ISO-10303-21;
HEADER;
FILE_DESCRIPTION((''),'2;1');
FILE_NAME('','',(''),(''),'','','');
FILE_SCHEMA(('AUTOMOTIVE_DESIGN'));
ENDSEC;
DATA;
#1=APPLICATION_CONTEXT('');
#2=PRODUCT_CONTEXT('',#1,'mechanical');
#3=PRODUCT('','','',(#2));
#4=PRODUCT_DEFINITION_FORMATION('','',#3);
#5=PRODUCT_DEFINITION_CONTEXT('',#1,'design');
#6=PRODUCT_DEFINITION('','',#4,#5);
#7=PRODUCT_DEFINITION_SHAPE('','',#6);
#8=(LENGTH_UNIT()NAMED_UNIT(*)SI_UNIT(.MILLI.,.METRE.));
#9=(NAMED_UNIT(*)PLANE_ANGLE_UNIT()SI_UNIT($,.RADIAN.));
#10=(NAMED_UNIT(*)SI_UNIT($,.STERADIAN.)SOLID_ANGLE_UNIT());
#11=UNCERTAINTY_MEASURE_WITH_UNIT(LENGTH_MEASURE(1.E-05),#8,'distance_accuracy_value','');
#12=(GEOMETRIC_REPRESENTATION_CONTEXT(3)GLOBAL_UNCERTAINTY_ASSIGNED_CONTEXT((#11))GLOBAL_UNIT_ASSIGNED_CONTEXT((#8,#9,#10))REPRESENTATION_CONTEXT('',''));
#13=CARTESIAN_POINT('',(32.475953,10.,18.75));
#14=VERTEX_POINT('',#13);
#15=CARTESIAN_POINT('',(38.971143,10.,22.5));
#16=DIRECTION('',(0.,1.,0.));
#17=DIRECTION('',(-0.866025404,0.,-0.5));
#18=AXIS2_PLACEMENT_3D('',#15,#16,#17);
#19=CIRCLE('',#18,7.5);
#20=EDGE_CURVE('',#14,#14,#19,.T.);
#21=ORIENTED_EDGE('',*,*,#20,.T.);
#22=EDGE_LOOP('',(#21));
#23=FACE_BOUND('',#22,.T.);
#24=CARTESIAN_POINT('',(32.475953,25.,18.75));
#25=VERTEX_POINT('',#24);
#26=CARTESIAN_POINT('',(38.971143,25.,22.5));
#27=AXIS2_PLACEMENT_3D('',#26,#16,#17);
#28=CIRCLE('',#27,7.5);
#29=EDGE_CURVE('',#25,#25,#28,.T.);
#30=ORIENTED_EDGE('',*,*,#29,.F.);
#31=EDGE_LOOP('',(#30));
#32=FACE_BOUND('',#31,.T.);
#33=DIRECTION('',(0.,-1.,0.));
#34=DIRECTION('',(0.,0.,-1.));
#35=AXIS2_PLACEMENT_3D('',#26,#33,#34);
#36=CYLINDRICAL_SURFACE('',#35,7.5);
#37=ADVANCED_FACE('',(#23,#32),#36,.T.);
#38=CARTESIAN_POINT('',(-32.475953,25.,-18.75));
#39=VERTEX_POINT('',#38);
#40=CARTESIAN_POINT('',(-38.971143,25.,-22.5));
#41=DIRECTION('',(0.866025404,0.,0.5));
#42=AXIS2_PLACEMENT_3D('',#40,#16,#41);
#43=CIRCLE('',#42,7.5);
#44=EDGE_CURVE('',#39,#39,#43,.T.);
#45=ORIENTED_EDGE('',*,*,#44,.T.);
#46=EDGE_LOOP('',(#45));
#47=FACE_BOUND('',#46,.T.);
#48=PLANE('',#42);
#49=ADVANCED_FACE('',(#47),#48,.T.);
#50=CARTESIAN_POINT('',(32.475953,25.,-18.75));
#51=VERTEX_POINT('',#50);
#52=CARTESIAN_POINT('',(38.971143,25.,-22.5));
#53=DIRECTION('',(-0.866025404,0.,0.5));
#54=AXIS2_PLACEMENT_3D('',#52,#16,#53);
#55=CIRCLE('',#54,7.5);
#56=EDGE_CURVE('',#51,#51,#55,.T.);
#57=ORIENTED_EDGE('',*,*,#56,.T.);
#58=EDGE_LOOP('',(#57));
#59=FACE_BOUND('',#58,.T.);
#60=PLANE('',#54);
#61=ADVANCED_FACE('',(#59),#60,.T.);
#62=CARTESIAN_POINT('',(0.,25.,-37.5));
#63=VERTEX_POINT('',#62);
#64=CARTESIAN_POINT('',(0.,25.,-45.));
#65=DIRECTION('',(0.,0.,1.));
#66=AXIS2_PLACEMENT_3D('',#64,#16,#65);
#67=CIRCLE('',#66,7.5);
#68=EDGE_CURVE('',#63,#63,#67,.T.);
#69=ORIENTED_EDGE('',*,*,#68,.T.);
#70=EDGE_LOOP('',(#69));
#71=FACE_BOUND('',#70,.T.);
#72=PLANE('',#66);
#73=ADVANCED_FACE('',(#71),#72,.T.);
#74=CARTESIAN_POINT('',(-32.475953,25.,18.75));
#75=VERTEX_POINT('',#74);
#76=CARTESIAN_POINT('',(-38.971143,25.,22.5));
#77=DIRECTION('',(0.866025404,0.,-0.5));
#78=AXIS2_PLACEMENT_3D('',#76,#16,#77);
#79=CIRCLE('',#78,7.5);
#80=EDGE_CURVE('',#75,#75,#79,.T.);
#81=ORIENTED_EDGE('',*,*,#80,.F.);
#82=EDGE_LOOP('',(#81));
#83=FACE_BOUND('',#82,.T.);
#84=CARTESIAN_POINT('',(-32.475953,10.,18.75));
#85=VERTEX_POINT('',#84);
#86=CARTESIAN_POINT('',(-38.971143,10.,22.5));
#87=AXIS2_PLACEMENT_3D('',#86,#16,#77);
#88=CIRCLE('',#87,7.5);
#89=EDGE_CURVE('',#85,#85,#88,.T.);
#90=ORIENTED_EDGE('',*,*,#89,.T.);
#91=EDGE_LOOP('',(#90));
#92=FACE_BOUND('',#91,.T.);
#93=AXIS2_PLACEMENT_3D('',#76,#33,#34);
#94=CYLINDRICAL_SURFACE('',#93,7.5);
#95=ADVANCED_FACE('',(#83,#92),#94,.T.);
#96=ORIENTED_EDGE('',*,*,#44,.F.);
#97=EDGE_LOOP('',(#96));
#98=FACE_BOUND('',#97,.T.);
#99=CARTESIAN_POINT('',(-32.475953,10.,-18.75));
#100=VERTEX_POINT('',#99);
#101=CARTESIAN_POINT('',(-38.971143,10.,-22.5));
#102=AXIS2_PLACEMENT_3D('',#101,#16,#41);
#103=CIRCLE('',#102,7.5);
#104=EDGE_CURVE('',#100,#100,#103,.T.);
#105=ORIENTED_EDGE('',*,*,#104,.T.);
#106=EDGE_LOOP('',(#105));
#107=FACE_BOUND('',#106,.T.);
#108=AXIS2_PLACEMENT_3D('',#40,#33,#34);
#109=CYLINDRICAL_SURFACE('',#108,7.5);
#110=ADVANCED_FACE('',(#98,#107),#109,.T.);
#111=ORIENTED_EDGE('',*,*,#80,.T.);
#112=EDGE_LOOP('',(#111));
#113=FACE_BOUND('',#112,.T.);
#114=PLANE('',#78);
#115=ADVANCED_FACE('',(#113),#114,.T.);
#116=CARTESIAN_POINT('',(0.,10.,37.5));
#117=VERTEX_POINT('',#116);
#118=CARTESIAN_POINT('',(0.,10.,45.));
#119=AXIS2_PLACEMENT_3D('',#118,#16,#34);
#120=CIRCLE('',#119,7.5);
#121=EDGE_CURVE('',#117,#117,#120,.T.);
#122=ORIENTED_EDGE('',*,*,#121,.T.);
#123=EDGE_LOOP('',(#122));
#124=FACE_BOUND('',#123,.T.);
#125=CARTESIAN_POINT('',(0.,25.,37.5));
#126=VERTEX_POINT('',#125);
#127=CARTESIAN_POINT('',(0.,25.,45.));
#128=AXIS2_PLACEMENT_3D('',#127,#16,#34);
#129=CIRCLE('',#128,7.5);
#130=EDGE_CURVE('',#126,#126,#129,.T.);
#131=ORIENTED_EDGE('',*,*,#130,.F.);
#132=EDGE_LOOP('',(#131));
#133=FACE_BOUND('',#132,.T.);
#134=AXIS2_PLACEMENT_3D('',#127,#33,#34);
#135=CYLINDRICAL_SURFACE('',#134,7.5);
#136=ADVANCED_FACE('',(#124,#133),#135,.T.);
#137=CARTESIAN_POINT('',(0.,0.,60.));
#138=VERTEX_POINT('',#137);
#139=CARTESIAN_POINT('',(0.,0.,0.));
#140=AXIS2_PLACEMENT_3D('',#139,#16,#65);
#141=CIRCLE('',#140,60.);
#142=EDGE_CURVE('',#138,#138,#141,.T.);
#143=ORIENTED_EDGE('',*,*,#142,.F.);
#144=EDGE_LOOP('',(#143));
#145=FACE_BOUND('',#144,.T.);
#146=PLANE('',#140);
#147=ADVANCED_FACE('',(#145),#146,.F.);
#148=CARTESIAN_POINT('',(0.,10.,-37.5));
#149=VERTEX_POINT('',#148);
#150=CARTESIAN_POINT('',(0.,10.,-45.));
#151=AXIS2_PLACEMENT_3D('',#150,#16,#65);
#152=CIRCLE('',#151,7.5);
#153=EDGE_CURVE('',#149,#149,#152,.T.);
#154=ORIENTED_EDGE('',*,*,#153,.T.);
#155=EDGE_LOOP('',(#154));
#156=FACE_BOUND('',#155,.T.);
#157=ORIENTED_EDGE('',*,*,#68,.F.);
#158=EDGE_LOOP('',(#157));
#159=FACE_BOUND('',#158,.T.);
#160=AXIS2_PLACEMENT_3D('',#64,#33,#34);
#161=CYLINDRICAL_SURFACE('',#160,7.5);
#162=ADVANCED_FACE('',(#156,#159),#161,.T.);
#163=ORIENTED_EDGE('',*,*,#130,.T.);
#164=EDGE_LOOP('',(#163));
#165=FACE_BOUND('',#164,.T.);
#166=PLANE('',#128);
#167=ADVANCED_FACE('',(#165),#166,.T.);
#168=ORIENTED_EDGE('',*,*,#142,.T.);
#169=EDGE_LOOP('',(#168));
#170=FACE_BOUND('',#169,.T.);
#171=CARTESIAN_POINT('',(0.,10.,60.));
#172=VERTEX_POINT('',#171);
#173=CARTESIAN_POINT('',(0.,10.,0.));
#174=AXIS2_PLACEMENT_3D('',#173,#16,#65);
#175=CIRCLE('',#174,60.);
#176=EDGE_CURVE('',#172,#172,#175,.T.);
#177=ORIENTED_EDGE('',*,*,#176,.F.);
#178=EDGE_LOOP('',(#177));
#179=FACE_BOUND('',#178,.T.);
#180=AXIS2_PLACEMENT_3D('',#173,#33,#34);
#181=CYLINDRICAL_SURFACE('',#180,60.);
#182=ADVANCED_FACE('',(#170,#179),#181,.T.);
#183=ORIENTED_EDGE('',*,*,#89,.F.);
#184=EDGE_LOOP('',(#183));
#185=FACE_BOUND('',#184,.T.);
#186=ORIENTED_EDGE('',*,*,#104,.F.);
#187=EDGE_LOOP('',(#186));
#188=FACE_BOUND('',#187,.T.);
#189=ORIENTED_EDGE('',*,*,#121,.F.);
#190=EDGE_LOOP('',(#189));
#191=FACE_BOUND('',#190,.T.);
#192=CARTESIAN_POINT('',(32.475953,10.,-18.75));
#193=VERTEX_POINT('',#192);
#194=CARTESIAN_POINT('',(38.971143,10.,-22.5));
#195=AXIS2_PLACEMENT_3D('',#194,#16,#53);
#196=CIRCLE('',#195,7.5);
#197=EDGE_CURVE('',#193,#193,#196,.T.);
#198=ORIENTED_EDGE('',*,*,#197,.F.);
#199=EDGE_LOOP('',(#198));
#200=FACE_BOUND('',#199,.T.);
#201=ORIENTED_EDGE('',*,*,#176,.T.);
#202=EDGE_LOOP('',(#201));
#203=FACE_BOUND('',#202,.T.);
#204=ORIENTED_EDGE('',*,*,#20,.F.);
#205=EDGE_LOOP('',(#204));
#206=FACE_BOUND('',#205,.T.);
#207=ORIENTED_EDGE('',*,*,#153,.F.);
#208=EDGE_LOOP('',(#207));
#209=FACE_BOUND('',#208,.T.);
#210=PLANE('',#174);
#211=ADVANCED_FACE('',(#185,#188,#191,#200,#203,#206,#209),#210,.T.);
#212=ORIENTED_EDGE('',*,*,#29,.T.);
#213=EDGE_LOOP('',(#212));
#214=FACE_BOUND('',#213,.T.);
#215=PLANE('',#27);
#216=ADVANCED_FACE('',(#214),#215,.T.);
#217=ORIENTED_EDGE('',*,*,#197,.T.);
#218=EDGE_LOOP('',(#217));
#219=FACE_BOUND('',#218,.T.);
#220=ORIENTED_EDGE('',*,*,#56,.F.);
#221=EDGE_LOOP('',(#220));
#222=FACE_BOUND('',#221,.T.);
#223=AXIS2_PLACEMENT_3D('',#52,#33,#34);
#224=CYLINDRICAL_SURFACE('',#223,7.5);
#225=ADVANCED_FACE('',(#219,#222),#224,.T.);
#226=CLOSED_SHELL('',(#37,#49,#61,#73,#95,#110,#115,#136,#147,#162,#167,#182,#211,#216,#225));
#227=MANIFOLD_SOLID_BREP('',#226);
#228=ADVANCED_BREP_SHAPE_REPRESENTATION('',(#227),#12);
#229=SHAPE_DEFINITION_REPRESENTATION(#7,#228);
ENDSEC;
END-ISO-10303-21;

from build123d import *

# Parameters (mm, degrees)
ESQUISSE1_R                  = 60
BOSS_EXTRU_1_DEPTH           = 10
ESQUISSE2_R                  = 7.5
BOSS_EXTRU_2_DEPTH           = 15
R_P_TITION_CIRCULAIRE1_COUNT = 6


with BuildPart() as part:
    # Esquisse1 → Boss.-Extru.1 (new body)
    with BuildSketch(Plane(origin=(0, 0, 0), x_dir=(1, 0, 0), z_dir=(0, 1, 0))):
        with Locations(Location((0, 0, 0), (0, 0, 270))):
            Circle(ESQUISSE1_R)
    extrude(amount=BOSS_EXTRU_1_DEPTH)

    # Esquisse2 → Boss.-Extru.2 (add)
    with BuildSketch(Plane(origin=(0, 10, 0), x_dir=(1, 0, 0), z_dir=(0, 1, 0))):
        with Locations(Location((0, 45, 0), (0, 0, 270))):
            Circle(ESQUISSE2_R)
    boss_extru_2 = extrude(amount=BOSS_EXTRU_2_DEPTH)

    # Répétition circulaire1: Boss.-Extru.2 ×6 about axis
    r_p_tition_circulaire1_axis = Axis((0, 0, 0), (0, 1, 0))
    for i in range(1, R_P_TITION_CIRCULAIRE1_COUNT):
        add(boss_extru_2.rotate(r_p_tition_circulaire1_axis, i * 360 / R_P_TITION_CIRCULAIRE1_COUNT))


solid = part.part
